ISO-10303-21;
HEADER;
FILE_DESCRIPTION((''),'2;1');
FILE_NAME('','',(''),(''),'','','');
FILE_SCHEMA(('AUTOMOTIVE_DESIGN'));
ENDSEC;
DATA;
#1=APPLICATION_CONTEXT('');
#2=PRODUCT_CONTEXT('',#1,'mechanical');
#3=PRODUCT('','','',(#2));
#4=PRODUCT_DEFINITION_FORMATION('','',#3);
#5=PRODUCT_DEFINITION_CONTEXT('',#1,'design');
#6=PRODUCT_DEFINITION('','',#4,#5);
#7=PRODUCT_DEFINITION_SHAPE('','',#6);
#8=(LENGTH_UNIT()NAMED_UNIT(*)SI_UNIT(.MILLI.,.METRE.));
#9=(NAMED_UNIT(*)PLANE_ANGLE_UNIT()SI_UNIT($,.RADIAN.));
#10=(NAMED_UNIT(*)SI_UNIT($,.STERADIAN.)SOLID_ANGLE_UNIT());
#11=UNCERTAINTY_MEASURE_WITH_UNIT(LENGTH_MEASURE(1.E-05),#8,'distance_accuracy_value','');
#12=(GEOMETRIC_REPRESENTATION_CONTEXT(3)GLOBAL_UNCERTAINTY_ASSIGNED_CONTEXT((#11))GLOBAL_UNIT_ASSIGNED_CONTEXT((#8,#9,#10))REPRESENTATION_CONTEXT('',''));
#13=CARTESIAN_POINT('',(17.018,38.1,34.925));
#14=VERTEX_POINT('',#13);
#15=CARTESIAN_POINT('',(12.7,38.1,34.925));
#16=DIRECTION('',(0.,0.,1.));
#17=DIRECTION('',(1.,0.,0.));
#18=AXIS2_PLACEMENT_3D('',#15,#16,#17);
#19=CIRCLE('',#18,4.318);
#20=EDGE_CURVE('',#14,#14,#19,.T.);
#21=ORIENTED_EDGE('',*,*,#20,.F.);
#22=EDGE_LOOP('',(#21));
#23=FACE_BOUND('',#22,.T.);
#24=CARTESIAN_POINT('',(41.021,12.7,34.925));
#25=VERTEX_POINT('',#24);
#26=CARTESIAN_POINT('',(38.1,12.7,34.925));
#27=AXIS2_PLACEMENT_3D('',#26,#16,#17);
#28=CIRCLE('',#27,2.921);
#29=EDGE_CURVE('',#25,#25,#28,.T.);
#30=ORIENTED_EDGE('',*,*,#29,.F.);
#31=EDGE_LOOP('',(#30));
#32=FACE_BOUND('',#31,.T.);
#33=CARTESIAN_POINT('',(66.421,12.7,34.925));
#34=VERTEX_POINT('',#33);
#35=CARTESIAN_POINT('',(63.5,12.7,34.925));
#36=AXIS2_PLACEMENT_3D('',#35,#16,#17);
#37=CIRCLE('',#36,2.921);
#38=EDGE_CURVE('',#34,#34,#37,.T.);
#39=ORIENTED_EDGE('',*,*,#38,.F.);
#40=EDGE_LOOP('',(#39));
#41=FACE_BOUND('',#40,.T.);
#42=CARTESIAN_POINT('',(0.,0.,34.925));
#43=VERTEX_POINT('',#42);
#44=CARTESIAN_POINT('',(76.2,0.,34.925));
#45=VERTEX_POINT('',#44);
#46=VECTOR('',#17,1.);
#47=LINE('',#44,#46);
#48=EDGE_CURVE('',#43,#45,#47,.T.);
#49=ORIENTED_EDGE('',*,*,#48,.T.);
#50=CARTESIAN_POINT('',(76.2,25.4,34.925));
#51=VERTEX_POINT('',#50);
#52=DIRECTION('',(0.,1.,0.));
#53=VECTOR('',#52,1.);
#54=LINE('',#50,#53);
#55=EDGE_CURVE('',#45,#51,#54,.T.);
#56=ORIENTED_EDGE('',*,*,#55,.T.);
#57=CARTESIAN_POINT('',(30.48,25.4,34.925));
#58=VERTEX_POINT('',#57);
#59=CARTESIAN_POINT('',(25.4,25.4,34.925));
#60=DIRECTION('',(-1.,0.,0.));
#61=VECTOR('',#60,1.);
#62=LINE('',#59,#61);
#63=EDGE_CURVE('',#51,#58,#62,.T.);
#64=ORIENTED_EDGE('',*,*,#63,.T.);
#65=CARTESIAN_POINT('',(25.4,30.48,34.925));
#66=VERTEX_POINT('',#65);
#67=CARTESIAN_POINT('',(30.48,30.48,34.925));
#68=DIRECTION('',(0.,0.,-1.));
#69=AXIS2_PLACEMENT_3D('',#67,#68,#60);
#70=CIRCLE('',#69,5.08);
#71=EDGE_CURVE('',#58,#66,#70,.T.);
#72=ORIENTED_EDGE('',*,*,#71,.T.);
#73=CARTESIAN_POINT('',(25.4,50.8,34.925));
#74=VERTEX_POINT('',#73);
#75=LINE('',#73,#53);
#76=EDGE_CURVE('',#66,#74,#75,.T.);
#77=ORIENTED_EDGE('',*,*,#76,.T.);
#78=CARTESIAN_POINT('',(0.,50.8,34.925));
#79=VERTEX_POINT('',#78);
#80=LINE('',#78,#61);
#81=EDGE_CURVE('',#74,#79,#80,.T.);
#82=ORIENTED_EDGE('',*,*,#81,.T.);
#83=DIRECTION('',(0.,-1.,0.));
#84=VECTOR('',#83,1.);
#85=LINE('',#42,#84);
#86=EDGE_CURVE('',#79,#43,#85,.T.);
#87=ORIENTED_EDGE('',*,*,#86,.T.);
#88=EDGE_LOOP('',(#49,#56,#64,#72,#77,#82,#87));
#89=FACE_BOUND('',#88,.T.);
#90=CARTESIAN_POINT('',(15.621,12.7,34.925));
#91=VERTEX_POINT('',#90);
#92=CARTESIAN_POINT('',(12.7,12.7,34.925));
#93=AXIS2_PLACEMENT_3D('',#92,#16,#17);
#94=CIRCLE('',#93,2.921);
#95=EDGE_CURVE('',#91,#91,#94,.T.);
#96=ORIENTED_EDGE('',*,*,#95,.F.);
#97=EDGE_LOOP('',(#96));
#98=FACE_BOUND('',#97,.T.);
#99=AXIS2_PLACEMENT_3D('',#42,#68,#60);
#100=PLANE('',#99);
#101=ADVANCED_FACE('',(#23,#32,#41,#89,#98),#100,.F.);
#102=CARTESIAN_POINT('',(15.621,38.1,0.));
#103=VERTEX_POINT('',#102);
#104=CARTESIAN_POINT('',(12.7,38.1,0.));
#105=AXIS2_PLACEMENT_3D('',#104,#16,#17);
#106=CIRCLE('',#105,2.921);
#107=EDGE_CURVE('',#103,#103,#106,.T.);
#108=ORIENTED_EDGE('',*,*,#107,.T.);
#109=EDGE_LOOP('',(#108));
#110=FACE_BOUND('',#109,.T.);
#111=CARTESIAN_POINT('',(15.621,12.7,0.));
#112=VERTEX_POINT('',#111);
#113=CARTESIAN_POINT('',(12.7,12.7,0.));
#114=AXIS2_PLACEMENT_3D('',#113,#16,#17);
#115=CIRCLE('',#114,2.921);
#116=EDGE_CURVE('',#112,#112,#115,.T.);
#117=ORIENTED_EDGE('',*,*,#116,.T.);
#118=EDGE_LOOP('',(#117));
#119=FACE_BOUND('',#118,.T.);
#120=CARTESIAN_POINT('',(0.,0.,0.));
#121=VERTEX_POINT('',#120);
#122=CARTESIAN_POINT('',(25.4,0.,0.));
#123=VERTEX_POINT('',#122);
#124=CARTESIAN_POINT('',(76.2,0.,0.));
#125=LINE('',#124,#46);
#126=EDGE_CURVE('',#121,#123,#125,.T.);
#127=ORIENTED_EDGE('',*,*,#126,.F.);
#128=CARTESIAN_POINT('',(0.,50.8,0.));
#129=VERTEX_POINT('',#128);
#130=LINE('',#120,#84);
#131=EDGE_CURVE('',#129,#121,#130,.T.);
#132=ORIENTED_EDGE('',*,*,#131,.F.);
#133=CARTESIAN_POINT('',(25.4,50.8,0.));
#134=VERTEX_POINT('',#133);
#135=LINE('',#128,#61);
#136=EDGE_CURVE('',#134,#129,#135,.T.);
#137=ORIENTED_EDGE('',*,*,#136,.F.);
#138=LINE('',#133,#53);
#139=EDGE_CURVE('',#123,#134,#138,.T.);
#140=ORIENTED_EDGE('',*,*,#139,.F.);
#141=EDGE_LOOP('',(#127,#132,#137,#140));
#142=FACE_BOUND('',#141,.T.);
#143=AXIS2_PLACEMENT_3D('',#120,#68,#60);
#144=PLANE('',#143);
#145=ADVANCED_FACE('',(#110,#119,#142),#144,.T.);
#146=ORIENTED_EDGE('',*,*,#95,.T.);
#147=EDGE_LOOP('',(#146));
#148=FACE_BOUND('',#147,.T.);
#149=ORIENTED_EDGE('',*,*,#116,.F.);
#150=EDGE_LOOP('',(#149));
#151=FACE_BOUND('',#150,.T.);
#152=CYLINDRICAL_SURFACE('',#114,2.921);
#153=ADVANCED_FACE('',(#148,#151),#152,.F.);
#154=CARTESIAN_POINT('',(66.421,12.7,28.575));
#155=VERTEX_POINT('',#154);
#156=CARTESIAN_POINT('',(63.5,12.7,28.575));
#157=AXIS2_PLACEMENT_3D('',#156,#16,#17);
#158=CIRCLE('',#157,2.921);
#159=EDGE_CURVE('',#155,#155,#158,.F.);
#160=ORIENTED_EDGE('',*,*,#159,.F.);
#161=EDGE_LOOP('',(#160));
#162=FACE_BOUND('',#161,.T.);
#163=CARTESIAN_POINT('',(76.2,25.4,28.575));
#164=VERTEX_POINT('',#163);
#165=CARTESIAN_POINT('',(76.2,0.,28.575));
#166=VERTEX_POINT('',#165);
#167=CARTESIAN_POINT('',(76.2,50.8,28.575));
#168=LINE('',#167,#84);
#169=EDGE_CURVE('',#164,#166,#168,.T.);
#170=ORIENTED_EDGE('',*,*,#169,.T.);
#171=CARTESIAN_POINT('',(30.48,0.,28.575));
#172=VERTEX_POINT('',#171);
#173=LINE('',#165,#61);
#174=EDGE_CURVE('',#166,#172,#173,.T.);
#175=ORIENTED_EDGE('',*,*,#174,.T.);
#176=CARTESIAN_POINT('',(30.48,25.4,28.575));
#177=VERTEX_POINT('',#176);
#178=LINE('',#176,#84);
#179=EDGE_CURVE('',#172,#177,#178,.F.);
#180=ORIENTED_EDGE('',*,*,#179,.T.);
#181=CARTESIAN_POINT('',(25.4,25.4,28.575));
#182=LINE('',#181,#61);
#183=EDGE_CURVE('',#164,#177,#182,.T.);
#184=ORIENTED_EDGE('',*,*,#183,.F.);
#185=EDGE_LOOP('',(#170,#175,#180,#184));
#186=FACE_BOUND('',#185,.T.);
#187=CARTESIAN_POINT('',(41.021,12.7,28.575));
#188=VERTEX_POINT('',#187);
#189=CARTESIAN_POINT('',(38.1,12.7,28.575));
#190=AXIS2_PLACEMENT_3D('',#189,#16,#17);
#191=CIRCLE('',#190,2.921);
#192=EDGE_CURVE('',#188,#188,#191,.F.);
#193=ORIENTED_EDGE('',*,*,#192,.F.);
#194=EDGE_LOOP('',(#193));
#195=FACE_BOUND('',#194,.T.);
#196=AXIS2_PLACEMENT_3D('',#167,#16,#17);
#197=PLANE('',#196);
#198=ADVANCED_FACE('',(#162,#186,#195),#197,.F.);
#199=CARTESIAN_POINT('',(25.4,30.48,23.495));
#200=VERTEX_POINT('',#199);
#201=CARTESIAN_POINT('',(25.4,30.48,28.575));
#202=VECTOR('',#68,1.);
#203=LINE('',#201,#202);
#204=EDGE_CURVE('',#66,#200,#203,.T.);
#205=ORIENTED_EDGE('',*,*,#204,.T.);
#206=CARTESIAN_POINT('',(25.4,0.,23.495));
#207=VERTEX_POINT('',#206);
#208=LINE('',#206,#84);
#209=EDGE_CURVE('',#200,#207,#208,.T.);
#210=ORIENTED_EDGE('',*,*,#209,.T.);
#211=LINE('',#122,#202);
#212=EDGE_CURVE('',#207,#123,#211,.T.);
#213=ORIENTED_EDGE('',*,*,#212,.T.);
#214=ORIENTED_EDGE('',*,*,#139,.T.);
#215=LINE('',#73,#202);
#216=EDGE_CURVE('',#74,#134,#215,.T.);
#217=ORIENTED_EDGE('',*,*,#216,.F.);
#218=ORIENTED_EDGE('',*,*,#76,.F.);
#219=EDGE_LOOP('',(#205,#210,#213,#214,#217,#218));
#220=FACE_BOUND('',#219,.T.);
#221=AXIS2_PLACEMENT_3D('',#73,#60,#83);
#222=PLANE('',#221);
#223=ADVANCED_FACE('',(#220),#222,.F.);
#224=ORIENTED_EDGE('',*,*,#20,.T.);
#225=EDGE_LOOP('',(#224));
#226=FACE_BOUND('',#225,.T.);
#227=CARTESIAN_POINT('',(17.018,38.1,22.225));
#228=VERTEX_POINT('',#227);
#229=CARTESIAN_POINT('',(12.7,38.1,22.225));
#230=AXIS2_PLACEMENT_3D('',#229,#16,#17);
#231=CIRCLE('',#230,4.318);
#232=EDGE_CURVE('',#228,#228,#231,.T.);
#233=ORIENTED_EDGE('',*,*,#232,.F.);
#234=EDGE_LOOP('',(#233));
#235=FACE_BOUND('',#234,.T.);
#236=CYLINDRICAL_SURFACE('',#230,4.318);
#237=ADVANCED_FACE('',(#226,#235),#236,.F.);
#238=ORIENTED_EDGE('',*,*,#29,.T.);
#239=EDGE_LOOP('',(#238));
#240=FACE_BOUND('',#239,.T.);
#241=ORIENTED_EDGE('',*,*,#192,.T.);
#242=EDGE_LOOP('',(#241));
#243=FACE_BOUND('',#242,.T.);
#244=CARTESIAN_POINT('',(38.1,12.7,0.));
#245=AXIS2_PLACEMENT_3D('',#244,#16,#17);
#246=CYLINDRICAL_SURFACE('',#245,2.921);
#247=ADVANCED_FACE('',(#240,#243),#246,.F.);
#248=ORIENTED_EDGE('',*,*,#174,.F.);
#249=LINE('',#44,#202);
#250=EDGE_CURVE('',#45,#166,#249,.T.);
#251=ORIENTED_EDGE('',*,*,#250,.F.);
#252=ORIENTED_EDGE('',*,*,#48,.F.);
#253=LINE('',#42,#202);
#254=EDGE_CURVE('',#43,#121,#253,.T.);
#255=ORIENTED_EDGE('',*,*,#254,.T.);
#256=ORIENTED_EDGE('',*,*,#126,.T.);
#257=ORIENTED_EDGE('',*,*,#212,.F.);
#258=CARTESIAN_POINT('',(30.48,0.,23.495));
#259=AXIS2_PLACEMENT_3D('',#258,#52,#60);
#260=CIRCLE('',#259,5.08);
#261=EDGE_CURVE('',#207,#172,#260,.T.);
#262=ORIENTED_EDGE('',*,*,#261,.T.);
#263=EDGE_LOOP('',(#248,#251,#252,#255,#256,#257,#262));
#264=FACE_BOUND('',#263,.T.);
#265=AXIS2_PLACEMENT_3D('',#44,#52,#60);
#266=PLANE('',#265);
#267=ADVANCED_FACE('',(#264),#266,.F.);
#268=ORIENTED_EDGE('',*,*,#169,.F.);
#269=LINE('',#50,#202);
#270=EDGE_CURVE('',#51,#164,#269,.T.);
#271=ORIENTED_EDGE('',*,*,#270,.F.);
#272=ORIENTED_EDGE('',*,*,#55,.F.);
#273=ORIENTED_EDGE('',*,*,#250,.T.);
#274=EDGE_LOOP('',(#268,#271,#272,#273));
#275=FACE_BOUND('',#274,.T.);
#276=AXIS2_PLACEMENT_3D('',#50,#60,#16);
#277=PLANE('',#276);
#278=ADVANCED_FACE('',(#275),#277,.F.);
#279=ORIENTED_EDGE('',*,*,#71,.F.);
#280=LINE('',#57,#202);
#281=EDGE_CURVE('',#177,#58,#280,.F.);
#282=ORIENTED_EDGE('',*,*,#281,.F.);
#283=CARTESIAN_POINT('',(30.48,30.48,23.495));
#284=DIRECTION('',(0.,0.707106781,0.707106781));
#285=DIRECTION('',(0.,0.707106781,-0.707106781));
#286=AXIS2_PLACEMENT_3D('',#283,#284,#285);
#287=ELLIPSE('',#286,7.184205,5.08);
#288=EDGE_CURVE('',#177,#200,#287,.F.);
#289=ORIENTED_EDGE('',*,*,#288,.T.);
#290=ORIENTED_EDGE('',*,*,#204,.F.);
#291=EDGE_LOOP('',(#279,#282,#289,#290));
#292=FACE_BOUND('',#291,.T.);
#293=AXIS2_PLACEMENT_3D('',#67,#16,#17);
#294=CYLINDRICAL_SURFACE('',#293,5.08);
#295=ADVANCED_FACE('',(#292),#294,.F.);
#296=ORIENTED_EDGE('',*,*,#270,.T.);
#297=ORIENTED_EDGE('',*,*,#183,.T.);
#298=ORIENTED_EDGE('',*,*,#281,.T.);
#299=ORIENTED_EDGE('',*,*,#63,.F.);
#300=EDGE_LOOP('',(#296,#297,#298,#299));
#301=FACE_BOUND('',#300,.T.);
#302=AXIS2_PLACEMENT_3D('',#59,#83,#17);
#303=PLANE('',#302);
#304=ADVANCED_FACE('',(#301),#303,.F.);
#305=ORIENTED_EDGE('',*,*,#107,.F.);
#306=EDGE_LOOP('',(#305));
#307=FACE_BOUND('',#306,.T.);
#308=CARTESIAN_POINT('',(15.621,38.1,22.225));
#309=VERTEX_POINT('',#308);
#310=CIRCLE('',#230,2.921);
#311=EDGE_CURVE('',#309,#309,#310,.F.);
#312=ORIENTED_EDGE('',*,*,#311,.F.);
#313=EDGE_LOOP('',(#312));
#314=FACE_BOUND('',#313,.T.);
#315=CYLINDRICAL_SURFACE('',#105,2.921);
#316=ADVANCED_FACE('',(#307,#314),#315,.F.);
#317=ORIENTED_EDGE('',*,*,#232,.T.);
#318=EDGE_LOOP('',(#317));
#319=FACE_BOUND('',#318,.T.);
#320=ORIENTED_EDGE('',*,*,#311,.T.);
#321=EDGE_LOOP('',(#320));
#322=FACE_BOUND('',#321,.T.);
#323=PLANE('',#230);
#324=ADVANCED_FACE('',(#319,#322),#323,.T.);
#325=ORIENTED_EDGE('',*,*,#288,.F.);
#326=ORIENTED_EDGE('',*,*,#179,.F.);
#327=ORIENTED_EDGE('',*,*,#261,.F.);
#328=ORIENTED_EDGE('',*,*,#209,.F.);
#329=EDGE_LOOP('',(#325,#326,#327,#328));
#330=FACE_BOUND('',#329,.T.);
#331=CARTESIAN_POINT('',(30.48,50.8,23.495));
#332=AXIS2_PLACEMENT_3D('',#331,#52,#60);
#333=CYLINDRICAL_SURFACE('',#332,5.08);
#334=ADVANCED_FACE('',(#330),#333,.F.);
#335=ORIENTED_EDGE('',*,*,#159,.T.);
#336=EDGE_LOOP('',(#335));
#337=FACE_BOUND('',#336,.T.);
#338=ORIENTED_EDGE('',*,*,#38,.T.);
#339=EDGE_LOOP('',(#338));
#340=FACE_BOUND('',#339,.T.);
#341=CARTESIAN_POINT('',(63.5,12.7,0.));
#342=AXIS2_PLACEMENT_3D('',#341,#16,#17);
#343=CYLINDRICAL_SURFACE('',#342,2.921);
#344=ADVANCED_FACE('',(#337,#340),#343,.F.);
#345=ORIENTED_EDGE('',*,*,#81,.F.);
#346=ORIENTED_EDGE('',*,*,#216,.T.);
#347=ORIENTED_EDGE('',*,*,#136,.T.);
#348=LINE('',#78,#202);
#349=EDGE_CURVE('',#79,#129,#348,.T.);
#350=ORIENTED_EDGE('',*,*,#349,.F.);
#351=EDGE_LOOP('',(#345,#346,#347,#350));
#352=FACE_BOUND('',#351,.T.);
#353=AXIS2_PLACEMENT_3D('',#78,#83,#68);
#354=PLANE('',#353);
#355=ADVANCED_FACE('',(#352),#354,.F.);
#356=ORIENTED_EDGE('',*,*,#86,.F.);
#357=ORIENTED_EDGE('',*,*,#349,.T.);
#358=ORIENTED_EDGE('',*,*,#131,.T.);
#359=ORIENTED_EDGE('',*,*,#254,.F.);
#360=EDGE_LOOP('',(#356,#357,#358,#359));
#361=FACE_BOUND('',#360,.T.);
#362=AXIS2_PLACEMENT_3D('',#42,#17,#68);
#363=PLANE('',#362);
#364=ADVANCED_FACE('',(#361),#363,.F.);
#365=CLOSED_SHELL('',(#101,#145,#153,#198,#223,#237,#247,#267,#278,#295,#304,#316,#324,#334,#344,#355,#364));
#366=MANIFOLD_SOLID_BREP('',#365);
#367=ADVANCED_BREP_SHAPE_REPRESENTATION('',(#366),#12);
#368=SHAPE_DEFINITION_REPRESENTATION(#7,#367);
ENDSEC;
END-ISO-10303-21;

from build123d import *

# Parameters (mm, degrees)
BOSS_EXTRUDE1_DEPTH = 34.925
SKETCH2_R           = 2.921
CUT_EXTRUDE1_DEPTH  = 99.014466407
SKETCH4_W           = 50.8
SKETCH4_H           = 28.575
CUT_EXTRUDE3_DEPTH  = 99.014466407
FILLET1_R           = 5.08
SKETCH5_R           = 4.318
CUT_EXTRUDE4_DEPTH  = 12.7


with BuildPart() as part:
    # Sketch1 → Boss-Extrude1 (new body)
    with BuildSketch(Plane.XY):
        Polygon((0, 0), (0, 50.8), (25.4, 50.8), (25.4, 25.4), (76.2, 25.4), (76.2, 0), align=None)
    extrude(amount=BOSS_EXTRUDE1_DEPTH)

    # Sketch2 → Cut-Extrude1 (cut, through all)
    with BuildSketch(Plane.XY.offset(34.925)):
        with Locations((12.7, 38.1)):
            Circle(SKETCH2_R)
        with Locations((12.7, 12.7)):
            Circle(SKETCH2_R)
        with Locations((38.1, 12.7)):
            Circle(SKETCH2_R)
        with Locations((63.5, 12.7)):
            Circle(SKETCH2_R)
    extrude(amount=-CUT_EXTRUDE1_DEPTH, mode=Mode.SUBTRACT)

    # Sketch4 → Cut-Extrude3 (cut, through all)
    with BuildSketch(Plane.XZ):
        with Locations((50.8, 14.2875)):
            Rectangle(SKETCH4_W, SKETCH4_H)
    extrude(amount=-CUT_EXTRUDE3_DEPTH, mode=Mode.SUBTRACT)

    # Fillet1
    fillet1_edges = [part.edges().sort_by_distance(p)[0] for p in [
        (25.4, 25.4, 31.75),
        (25.4, 12.7, 28.575),
    ]]
    fillet(fillet1_edges, radius=FILLET1_R)

    # Sketch5 → Cut-Extrude4 (cut)
    with BuildSketch(Plane.XY.offset(34.925)):
        with Locations((12.7, 38.1)):
            Circle(SKETCH5_R)
    extrude(amount=-CUT_EXTRUDE4_DEPTH, mode=Mode.SUBTRACT)


solid = part.part
